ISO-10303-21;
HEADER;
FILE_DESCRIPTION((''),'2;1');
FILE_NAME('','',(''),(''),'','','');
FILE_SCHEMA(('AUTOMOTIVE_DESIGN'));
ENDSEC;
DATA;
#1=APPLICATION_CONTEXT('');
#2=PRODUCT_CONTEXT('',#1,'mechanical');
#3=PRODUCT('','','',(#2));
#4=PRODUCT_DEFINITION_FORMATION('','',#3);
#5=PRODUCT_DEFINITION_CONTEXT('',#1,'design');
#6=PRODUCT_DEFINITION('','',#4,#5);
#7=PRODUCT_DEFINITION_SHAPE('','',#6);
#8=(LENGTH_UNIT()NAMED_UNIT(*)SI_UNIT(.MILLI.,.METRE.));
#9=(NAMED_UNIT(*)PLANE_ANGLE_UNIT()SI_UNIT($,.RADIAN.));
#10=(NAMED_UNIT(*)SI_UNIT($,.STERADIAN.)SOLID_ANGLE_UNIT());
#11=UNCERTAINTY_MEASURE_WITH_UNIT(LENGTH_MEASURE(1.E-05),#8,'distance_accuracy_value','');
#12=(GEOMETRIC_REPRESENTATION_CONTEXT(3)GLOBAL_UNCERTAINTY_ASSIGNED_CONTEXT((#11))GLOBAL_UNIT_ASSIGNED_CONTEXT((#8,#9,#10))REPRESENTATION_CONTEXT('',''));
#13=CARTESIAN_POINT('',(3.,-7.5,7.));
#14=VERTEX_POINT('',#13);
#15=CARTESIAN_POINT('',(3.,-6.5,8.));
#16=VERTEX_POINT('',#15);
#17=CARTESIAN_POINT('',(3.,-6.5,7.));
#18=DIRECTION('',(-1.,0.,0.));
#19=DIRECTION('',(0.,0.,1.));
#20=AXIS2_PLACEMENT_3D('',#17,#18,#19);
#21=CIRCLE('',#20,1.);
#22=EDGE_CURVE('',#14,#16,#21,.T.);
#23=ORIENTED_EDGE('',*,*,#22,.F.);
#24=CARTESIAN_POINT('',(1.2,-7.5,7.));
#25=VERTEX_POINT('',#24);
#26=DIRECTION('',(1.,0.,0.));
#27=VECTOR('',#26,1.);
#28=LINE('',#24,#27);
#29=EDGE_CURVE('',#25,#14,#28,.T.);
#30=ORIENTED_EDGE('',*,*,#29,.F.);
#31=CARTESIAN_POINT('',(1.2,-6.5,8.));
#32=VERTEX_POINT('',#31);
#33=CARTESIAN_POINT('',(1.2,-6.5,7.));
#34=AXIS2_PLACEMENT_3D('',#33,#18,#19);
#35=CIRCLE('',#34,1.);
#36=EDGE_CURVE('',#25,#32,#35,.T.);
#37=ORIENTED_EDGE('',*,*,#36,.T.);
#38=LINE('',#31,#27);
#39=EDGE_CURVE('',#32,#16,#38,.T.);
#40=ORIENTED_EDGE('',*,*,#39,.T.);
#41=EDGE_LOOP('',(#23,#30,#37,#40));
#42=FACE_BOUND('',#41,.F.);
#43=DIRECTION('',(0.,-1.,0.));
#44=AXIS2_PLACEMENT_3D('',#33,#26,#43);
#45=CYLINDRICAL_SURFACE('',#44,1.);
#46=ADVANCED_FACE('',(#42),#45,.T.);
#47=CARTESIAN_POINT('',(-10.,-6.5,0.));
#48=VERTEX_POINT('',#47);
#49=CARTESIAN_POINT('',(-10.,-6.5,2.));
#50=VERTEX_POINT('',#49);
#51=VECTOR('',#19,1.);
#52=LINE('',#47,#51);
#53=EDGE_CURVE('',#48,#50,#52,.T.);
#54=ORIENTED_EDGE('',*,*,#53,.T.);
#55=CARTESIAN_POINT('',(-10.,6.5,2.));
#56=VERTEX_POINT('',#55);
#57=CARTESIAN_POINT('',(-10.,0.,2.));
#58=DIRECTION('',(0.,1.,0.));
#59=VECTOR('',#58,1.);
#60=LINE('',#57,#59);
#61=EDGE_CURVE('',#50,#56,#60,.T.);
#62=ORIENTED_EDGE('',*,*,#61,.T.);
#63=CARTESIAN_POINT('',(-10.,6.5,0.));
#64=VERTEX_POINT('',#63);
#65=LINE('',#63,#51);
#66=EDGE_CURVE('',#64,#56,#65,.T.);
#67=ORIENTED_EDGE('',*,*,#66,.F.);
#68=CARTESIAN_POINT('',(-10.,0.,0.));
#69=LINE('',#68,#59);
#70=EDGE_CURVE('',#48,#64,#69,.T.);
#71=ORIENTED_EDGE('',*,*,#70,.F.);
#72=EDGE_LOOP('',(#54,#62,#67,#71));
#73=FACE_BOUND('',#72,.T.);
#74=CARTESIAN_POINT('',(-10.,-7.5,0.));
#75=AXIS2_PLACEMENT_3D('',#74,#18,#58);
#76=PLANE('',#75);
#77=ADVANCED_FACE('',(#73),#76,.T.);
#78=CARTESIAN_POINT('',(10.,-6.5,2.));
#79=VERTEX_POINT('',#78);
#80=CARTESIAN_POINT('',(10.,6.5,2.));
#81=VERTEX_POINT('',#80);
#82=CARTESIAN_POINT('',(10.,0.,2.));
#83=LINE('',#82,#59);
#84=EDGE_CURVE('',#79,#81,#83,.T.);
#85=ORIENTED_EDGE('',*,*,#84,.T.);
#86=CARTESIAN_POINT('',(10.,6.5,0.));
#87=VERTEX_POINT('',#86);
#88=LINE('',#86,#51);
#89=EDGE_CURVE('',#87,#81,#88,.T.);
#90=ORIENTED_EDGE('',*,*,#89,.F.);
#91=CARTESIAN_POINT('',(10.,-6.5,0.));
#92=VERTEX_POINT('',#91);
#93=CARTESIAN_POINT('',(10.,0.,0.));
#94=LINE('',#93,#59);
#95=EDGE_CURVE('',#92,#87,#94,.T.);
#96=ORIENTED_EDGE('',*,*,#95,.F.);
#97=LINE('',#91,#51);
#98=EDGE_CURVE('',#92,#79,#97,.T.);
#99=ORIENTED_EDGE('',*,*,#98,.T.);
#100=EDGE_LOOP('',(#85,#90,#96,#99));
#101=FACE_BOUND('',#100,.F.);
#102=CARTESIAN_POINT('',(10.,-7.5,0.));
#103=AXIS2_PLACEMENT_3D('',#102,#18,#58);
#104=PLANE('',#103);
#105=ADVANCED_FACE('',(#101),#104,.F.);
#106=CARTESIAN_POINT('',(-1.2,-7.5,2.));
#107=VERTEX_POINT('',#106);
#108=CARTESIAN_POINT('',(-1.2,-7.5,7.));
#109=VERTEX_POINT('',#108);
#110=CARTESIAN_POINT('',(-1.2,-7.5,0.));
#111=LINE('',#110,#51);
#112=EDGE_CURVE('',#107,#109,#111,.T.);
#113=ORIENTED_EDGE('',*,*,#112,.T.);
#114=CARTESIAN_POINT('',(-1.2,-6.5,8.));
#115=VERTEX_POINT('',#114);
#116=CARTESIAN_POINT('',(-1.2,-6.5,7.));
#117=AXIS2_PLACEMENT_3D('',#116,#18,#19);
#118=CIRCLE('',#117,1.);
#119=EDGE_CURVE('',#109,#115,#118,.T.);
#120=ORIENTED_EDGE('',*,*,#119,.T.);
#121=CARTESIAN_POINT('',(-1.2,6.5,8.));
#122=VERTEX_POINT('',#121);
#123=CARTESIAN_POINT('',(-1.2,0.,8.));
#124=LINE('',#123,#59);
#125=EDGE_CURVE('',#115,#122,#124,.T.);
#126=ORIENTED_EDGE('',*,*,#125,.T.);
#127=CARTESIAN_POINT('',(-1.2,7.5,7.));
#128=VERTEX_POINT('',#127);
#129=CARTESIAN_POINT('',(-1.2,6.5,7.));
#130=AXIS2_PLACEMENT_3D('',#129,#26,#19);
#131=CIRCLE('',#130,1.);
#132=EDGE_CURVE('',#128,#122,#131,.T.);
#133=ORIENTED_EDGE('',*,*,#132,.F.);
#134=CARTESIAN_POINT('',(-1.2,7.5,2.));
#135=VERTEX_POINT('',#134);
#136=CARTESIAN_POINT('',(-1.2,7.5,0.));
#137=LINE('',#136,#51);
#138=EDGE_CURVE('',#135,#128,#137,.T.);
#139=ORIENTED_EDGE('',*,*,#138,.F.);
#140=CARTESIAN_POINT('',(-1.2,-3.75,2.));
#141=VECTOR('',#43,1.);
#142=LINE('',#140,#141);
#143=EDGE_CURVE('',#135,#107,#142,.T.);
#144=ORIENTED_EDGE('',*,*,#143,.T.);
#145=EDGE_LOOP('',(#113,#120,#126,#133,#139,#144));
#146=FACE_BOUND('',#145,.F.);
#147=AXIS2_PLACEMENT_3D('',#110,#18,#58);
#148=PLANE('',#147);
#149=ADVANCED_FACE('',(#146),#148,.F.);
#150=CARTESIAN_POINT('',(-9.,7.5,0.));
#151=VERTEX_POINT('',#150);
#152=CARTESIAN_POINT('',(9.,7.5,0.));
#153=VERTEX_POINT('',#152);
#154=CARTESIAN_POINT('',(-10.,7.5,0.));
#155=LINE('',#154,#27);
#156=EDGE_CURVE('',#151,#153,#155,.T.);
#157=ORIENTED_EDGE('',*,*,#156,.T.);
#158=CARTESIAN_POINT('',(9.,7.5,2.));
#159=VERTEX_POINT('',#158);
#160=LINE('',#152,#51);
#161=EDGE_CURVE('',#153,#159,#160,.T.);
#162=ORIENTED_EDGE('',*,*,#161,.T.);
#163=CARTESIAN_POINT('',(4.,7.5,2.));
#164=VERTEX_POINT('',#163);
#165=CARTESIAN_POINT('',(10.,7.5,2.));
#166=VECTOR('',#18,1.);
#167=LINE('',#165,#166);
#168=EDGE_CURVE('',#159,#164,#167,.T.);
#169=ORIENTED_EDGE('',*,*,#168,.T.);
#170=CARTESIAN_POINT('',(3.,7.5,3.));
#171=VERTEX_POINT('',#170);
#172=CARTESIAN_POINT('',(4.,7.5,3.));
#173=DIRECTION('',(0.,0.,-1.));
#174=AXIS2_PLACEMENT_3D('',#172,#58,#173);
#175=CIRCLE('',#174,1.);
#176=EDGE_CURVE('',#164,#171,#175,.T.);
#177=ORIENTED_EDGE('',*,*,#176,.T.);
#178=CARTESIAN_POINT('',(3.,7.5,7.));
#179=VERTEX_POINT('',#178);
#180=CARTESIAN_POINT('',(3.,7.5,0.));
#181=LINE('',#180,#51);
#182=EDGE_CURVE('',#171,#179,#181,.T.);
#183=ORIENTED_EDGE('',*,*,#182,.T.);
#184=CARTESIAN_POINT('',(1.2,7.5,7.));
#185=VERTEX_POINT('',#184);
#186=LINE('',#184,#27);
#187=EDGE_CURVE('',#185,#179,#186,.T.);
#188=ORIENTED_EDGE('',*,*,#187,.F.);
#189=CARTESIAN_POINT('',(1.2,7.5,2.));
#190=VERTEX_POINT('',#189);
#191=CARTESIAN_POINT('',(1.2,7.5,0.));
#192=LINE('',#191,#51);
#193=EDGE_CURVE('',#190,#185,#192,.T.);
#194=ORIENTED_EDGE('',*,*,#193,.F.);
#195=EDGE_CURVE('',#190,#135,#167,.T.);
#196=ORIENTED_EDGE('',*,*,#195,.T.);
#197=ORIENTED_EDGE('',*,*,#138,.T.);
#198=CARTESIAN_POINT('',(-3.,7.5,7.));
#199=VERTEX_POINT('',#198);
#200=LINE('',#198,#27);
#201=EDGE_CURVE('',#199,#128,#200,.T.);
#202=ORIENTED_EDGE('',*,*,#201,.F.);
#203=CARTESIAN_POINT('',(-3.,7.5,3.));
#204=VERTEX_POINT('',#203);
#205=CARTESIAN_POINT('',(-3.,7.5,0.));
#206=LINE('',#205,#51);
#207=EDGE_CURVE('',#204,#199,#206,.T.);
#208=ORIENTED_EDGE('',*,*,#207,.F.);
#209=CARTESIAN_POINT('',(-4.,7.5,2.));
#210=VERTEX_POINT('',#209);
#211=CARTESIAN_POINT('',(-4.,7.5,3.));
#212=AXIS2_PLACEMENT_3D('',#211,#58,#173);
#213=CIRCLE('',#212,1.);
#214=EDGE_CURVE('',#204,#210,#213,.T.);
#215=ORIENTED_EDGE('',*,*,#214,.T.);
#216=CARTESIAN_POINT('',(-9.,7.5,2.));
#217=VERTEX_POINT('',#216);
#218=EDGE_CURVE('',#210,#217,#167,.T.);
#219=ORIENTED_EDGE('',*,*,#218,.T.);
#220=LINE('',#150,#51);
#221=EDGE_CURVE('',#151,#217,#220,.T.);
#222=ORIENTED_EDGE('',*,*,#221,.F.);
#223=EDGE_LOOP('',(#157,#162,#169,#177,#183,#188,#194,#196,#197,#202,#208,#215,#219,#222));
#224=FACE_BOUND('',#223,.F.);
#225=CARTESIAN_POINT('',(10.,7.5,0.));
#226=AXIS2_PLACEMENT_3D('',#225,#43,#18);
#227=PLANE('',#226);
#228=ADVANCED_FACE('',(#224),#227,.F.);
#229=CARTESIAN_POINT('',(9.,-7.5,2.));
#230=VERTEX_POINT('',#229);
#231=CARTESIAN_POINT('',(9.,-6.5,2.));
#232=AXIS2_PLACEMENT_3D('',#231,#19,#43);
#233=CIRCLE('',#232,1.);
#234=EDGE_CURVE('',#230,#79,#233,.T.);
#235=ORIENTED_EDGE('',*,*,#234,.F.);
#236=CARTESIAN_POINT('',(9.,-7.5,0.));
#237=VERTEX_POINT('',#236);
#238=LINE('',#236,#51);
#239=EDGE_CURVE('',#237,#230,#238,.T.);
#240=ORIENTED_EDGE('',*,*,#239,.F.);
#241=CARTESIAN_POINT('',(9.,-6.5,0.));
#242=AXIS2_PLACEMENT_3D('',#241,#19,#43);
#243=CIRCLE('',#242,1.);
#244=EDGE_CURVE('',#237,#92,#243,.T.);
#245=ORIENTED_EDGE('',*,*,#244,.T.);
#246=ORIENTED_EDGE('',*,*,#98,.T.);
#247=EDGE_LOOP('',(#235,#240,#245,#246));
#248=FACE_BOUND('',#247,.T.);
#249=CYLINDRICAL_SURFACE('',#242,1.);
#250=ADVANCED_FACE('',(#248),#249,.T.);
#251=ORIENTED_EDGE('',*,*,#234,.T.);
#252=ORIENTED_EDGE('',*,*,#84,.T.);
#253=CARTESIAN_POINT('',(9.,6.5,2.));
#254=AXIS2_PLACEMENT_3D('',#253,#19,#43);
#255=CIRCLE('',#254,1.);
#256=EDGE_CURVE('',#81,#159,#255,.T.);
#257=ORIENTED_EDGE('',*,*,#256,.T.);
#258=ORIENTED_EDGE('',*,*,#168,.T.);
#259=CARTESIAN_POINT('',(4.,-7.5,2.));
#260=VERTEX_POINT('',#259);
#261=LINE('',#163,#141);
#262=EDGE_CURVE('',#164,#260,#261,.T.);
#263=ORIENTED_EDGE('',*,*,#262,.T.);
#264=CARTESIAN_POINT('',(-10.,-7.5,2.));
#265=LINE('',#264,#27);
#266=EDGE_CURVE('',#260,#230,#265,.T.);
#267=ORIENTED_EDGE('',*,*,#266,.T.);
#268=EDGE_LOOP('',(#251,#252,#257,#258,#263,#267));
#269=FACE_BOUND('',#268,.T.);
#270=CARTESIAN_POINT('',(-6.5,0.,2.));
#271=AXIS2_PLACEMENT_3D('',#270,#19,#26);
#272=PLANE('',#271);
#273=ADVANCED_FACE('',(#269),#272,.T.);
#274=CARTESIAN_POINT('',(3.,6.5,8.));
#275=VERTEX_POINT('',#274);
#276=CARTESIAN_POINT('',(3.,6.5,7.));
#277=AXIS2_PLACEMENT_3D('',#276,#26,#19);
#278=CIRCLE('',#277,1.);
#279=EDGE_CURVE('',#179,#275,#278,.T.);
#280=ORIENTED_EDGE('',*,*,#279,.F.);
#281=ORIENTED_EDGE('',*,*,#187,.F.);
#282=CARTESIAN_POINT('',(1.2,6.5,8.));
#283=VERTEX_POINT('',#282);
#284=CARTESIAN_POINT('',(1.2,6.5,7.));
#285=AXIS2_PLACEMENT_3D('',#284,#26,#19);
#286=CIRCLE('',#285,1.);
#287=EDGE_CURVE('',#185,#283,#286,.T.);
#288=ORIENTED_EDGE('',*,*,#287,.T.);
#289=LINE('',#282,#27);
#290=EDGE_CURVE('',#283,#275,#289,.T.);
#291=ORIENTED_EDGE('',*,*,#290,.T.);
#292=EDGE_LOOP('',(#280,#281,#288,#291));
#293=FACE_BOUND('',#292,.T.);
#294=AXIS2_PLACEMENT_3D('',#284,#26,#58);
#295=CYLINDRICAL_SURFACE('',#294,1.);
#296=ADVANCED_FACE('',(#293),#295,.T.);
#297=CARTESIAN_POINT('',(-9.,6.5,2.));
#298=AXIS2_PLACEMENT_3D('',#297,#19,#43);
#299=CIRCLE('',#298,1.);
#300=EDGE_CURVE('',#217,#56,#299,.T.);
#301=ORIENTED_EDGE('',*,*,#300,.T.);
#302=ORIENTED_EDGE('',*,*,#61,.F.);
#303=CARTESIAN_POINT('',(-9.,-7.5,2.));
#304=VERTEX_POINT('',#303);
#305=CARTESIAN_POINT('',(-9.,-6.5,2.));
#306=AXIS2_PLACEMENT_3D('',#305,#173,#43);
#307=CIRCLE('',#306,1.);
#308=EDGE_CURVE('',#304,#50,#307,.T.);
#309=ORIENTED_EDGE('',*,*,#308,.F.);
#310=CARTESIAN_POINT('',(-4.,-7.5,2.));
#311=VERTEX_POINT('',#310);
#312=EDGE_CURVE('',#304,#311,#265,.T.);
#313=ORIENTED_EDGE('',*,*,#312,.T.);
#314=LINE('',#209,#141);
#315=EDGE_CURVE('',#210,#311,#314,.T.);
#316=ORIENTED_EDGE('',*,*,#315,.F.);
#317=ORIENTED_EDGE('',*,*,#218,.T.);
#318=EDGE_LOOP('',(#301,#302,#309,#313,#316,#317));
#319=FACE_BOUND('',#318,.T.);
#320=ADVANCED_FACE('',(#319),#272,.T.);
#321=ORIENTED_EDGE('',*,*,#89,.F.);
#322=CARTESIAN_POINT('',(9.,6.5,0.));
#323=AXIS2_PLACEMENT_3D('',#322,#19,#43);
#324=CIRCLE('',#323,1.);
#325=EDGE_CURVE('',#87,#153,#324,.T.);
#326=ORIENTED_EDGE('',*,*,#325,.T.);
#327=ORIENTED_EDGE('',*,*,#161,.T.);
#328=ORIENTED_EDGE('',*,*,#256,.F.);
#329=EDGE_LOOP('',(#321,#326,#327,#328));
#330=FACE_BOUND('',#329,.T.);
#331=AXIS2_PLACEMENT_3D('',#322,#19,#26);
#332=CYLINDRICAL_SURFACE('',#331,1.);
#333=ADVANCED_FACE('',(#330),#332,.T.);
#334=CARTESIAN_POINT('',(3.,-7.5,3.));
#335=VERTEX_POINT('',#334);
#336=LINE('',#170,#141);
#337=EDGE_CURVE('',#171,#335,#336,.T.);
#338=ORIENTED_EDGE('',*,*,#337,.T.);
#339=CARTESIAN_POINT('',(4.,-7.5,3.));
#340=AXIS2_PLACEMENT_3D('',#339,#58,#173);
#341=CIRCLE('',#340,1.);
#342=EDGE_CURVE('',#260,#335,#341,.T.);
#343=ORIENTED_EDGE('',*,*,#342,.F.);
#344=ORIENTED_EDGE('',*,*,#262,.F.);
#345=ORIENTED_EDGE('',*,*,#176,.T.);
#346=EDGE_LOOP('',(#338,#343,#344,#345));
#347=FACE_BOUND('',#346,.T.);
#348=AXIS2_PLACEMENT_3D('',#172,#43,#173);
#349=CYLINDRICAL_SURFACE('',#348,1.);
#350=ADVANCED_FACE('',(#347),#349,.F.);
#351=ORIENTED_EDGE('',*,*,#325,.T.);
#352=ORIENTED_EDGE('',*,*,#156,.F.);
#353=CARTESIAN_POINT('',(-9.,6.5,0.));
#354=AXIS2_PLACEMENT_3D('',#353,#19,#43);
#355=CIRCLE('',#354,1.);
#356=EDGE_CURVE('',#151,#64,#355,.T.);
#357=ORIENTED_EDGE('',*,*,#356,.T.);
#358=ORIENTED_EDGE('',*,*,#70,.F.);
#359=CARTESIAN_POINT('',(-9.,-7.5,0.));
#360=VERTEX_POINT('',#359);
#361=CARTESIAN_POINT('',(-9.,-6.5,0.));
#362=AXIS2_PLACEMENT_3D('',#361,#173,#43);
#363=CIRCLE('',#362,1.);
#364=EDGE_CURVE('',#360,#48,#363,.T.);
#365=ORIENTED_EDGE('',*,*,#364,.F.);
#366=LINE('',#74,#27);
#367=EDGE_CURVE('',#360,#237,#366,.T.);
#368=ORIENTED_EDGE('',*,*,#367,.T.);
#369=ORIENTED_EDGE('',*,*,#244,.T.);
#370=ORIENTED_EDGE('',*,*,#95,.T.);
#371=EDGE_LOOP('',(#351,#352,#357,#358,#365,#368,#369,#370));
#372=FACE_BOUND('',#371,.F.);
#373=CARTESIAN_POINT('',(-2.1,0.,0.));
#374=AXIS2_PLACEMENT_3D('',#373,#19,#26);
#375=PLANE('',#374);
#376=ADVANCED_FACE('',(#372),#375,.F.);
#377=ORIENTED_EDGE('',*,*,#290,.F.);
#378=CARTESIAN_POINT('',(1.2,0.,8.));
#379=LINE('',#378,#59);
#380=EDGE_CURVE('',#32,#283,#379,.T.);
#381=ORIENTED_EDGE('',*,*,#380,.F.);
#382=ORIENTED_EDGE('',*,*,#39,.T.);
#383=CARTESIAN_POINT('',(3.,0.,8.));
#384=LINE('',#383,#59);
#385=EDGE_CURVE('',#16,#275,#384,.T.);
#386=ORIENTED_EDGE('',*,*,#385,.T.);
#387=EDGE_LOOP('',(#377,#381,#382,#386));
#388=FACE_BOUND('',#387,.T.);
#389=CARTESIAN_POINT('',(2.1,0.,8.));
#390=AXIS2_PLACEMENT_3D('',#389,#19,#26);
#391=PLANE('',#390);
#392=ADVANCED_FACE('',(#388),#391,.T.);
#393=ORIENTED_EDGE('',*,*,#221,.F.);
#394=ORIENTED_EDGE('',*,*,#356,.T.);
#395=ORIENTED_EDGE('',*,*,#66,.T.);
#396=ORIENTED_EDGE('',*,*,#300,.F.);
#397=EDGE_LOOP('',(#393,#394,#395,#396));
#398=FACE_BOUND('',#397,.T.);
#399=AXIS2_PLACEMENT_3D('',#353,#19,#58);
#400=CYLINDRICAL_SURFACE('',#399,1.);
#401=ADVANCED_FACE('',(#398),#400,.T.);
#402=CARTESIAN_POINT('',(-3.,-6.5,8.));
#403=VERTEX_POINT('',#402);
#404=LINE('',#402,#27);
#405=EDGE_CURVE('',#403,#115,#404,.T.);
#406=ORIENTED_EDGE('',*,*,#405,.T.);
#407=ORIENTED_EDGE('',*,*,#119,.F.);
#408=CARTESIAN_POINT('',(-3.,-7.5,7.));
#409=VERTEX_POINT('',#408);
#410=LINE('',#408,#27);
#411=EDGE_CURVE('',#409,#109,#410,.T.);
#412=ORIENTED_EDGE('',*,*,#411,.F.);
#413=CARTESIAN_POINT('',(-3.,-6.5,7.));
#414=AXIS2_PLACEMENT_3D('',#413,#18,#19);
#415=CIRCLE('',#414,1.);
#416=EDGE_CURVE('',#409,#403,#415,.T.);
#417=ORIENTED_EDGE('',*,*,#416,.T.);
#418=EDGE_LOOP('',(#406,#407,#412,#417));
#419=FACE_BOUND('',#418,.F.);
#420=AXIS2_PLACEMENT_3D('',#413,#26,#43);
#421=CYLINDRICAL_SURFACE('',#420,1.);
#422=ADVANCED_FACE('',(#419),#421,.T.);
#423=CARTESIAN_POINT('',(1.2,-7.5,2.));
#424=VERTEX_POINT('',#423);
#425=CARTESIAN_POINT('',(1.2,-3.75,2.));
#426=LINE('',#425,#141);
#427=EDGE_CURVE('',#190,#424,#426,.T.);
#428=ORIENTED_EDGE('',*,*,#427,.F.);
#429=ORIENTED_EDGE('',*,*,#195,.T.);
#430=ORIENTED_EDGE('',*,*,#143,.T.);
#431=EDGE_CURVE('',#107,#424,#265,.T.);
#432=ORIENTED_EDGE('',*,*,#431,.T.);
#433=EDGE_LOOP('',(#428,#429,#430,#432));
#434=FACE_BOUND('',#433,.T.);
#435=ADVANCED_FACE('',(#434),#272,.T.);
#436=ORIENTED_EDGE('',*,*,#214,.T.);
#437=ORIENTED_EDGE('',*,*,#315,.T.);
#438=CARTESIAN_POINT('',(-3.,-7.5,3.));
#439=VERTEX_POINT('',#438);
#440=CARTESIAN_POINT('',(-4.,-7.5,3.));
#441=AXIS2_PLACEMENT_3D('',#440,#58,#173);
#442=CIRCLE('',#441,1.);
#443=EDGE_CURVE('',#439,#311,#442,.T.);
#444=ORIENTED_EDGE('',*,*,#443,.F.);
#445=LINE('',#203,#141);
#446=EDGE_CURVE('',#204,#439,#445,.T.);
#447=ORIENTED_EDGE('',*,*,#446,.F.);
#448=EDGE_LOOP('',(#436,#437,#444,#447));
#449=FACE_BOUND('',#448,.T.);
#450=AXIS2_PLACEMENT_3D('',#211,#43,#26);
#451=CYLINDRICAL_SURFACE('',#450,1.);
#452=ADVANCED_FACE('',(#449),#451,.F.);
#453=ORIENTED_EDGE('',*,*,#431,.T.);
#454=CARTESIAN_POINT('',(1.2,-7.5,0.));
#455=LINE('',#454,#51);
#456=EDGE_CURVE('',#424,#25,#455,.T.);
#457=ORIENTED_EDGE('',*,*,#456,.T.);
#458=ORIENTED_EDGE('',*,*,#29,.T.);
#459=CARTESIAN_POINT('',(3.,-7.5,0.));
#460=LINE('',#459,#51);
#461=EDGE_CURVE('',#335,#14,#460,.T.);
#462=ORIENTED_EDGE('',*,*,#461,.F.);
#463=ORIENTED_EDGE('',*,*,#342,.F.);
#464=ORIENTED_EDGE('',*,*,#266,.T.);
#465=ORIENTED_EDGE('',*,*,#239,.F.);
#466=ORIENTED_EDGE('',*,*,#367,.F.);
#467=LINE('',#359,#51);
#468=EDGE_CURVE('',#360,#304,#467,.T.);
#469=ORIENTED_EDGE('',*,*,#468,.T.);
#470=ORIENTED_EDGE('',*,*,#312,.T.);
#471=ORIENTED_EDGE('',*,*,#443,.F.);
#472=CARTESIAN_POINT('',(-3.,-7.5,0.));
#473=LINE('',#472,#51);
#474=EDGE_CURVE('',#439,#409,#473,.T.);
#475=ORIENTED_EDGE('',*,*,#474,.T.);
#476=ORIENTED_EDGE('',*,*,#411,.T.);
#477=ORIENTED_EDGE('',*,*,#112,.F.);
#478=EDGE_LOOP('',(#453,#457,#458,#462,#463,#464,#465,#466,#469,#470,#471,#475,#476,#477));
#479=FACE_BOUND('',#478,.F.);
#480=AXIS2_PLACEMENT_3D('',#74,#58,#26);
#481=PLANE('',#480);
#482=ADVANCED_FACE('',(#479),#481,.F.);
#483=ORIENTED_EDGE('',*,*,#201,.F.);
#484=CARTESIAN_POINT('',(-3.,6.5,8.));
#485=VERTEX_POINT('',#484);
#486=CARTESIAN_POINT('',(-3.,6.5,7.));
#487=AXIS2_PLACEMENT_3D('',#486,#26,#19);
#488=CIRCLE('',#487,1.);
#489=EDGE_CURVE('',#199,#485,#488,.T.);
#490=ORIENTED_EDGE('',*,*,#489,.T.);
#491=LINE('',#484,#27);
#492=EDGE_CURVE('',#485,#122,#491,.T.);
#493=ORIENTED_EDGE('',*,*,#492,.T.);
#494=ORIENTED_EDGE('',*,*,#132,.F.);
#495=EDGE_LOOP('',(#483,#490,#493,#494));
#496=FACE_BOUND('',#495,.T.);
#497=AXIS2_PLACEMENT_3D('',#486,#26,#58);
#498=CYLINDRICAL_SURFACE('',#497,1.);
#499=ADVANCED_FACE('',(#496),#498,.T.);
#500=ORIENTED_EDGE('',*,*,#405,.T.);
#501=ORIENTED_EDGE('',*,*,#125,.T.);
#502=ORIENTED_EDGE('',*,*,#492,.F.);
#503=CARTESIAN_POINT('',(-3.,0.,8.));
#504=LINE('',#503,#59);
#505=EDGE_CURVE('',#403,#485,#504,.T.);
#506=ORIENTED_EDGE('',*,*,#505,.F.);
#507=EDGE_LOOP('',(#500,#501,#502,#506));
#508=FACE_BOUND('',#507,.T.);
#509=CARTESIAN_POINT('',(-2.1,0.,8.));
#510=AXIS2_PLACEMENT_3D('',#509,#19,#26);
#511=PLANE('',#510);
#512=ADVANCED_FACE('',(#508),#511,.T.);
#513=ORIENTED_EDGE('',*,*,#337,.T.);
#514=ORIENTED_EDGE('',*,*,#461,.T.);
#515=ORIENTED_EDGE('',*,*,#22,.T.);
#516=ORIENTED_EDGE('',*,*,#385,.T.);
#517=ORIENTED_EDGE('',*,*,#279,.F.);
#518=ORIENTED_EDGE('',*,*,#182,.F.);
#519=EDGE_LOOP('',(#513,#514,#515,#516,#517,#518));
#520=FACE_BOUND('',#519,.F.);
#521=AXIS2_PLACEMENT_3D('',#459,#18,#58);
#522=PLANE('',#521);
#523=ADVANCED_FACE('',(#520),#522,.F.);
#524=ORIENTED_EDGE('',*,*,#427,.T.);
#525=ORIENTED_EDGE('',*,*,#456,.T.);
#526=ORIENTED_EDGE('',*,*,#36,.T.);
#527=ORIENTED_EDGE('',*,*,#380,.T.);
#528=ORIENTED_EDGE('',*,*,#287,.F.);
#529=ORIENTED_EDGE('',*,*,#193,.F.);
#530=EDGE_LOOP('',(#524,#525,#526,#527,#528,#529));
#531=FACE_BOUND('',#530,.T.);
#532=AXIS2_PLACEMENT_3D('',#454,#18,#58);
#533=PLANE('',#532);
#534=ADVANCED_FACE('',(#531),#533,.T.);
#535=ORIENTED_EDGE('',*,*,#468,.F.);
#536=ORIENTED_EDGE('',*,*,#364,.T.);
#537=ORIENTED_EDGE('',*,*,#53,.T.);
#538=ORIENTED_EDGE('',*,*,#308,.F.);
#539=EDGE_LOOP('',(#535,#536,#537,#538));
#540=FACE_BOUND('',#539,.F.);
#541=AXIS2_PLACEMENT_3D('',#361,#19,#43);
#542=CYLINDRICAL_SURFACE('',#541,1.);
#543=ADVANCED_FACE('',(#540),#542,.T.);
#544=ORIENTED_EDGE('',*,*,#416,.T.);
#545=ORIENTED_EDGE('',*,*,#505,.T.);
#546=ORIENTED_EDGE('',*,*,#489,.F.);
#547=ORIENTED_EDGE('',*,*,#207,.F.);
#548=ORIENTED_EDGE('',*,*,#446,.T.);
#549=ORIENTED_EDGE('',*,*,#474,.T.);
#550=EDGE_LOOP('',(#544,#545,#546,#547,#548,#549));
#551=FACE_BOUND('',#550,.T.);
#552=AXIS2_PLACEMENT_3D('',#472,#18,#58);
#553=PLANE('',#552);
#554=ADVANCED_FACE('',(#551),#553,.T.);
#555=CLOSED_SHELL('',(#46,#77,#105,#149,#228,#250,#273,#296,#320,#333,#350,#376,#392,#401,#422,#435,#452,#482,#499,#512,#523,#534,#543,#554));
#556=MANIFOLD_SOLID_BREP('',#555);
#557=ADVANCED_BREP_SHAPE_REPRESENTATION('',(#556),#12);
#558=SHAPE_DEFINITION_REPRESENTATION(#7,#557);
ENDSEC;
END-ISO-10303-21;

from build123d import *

# Parameters (mm, degrees)
F0_W     = 7
F0_H     = 15
F0_W_2   = 1.8
F0_W_3   = 2.4
F1_DEPTH = 2
F2_DEPTH = 8
F3_R     = 1


with BuildPart() as f1:
    # F0 (on Top) → F1 (new body)
    with BuildSketch(Plane.XY):
        with Locations((-6.5, 0)):
            Rectangle(F0_W, F0_H)
        with Locations((-2.1, 0)):
            Rectangle(F0_W_2, F0_H)
        Rectangle(F0_W_3, F0_H)
        with Locations((2.1, 0)):
            Rectangle(F0_W_2, F0_H)
        with Locations((6.5, 0)):
            Rectangle(F0_W, F0_H)
    extrude(amount=F1_DEPTH)

    # F0 (on Top) → F2 (join)
    with BuildSketch(Plane.XY):
        with Locations((-2.1, 0)):
            Rectangle(F0_W_2, F0_H)
        with Locations((2.1, 0)):
            Rectangle(F0_W_2, F0_H)
    extrude(amount=F2_DEPTH)

    # F3
    f3_edges = [f1.edges().sort_by_distance(p)[0] for p in [
        (2.1, -7.5, 8),
        (-2.1, -7.5, 8),
        (-2.1, 7.5, 8),
        (2.1, 7.5, 8),
        (10, -7.5, 1),
        (10, 7.5, 1),
        (-10, -7.5, 1),
        (-10, 7.5, 1),
        (3, 0, 2),
        (-3, 0, 2),
    ]]
    fillet(f3_edges, radius=F3_R)


solid = f1.part
